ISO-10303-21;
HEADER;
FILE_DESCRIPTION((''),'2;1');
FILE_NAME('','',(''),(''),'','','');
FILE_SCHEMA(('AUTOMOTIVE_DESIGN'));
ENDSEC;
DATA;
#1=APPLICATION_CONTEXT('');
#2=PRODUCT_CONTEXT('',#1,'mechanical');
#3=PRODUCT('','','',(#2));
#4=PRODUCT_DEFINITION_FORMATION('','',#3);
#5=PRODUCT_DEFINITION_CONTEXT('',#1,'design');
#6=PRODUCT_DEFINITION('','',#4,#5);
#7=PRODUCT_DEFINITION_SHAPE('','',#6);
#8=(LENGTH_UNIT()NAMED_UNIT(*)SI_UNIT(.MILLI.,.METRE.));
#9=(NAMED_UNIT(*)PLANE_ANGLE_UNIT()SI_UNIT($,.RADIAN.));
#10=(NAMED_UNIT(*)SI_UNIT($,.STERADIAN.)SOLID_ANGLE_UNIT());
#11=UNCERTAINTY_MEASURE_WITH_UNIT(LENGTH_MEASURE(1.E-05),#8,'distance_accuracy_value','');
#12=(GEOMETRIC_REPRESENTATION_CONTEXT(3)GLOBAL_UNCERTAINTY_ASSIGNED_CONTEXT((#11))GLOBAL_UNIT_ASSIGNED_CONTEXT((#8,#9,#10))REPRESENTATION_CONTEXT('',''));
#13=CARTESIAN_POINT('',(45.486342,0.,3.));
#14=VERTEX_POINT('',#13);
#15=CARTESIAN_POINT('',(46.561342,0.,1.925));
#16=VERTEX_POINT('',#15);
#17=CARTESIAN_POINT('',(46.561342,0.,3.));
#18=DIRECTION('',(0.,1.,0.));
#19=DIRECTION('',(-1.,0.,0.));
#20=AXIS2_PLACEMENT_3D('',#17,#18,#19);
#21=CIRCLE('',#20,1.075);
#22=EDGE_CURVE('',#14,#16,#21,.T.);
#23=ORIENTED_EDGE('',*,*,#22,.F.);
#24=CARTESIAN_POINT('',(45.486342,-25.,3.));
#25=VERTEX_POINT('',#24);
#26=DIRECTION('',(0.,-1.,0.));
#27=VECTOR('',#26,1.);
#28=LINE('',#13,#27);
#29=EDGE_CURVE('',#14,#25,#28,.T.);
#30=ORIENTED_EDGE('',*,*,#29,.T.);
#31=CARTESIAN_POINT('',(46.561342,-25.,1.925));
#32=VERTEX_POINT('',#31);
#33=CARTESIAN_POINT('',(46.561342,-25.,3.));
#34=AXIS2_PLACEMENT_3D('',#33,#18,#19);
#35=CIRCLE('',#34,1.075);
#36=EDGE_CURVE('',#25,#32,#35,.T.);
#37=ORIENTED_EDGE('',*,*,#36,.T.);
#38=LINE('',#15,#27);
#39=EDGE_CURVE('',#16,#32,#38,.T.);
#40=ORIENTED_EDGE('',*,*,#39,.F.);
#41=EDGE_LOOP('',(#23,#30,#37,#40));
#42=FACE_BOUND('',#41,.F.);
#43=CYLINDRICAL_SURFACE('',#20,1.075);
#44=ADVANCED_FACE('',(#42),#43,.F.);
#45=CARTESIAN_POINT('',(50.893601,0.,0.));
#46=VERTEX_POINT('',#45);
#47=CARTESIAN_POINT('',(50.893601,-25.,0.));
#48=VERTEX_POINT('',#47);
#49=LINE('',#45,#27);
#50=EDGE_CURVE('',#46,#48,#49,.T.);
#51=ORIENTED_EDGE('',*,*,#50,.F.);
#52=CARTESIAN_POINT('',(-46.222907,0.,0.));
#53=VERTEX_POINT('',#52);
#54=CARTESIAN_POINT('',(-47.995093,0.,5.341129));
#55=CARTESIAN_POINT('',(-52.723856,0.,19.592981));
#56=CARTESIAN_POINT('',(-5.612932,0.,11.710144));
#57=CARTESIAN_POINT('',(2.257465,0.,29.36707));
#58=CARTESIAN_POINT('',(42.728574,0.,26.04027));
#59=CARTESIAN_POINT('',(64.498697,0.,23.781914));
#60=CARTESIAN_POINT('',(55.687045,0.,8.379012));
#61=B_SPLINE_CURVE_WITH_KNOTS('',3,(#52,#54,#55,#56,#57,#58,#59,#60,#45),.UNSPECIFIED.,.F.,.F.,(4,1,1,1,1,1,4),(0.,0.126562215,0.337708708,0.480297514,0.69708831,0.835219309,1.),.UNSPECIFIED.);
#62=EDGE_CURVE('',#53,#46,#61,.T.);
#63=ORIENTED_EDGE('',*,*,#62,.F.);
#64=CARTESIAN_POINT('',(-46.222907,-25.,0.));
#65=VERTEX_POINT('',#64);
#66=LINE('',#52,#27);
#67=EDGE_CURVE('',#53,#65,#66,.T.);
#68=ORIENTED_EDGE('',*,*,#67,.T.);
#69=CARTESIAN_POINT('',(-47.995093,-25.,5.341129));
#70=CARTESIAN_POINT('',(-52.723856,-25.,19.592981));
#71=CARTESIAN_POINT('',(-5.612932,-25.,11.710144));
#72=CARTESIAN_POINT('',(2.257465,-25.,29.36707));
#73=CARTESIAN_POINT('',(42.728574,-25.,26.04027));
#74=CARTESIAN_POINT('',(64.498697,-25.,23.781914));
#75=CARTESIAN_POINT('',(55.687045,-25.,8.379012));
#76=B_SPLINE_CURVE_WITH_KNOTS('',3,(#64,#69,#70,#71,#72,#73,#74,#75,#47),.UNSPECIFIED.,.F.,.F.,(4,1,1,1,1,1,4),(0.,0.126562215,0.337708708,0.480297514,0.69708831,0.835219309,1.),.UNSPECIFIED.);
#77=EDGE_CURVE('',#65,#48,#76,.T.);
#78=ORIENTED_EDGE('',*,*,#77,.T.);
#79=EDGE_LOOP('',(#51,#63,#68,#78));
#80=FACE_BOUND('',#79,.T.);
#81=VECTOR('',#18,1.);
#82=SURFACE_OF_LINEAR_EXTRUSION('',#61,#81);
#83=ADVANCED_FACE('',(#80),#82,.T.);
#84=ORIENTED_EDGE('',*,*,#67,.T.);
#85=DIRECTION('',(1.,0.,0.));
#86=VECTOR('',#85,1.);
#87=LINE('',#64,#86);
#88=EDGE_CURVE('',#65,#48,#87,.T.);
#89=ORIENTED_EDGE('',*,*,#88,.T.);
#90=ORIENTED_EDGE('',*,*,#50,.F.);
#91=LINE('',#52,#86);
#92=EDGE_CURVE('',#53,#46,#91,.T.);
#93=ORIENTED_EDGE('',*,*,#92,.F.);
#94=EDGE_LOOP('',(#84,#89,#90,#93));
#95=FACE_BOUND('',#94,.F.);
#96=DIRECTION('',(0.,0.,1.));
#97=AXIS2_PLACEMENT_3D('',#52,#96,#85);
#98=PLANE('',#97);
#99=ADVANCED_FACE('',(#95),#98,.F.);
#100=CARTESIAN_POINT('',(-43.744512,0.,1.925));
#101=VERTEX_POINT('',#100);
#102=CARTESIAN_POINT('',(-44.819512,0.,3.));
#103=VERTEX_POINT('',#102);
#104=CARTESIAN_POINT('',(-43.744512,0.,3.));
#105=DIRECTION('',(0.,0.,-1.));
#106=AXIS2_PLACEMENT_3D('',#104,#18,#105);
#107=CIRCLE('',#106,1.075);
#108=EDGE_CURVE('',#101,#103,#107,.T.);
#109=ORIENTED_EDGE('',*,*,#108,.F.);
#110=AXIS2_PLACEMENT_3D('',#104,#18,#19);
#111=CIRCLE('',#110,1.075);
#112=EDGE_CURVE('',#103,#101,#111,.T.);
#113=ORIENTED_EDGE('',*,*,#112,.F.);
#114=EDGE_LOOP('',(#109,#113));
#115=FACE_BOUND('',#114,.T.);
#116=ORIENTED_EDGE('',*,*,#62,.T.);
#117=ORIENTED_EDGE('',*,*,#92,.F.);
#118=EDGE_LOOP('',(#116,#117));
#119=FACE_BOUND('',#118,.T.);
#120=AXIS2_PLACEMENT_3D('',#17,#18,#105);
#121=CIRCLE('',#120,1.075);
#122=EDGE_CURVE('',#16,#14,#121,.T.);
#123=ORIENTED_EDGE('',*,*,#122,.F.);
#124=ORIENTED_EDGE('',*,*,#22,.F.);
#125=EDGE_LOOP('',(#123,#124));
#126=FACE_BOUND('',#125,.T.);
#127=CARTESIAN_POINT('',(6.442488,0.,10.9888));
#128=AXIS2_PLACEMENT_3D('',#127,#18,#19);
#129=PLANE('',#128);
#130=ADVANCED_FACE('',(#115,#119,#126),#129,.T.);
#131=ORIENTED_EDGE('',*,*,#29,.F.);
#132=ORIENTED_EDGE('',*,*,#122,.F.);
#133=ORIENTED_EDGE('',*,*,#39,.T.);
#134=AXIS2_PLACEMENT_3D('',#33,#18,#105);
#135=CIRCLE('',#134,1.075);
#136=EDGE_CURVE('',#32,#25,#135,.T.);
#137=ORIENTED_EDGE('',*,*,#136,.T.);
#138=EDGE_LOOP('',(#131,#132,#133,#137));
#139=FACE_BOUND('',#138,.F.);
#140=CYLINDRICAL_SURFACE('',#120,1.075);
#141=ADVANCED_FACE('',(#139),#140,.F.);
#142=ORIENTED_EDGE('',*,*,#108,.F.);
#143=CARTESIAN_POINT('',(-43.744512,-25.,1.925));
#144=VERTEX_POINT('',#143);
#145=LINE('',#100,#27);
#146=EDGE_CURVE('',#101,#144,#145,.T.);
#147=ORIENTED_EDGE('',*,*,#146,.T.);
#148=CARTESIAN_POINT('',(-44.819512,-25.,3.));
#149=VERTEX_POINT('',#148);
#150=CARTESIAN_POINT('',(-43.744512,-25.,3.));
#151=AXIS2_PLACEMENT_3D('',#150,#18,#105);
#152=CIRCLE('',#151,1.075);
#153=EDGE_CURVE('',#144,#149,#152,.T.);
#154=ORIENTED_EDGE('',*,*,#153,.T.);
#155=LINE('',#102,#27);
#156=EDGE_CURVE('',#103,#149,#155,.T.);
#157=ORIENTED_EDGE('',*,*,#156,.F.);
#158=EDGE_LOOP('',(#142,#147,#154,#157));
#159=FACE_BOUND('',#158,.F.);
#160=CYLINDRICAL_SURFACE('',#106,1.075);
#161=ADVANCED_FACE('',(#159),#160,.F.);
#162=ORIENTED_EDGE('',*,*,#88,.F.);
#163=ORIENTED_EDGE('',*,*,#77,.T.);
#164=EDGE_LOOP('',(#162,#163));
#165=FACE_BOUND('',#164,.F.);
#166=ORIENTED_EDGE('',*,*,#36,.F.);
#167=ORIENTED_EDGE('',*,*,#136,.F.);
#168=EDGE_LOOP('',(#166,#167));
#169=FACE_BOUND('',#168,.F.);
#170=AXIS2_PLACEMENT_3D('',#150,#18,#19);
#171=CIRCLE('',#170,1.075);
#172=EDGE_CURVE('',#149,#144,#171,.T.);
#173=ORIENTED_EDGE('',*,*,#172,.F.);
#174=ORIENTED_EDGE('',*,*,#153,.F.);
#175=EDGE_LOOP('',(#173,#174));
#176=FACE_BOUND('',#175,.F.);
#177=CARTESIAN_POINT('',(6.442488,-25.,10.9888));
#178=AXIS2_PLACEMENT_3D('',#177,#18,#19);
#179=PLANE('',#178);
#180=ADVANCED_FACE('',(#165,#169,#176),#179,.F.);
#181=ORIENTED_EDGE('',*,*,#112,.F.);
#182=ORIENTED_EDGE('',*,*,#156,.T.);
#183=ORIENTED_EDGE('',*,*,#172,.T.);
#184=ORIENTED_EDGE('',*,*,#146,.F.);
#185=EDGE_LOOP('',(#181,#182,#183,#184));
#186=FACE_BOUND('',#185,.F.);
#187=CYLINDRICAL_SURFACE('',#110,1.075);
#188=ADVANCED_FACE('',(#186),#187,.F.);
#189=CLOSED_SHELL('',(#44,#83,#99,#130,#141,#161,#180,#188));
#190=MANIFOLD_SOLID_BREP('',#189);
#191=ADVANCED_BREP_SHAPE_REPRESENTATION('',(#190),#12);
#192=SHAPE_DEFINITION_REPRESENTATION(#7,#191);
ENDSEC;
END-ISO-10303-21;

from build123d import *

# Parameters (mm, degrees)
F1_DEPTH = 25
F4_DEPTH = 25.0010001
F5_DEPTH = 25.0010001


with BuildPart() as f1:
    # F0 (on Front) → F1 (new body)
    with BuildSketch(Plane.XZ):
        with BuildLine():
            add(Edge.make_bspline(
                [(-46.2229065597, 0), (-47.9950928347, 5.3411294971), (-52.7238559863, 19.5929814109), (-5.612931802, 11.7101438379), (2.2574648294, 29.3670702092), (42.7285739749, 26.0402695948), (64.4986966136, 23.7819143402), (55.6870446433, 8.3790124593), (50.8936010301, 0)],
                knots=[0, 0, 0, 0, 0.1265622146, 0.3377087077, 0.4802975139, 0.6970883102, 0.8352193085, 1, 1, 1, 1], degree=3))
            Line((-46.2229065597, 0), (-42.1789698303, 0))
            Line((-42.1789698303, 0), (0, 0))
            Line((0, 0), (50.8936010301, 0))
        make_face()
    extrude(amount=F1_DEPTH)

    # F3 (on face) → F4 (cut, through all)
    with BuildSketch(Plane(origin=(0, 0, 0), x_dir=(-1, 0, 0), z_dir=(0, 1, 0))):
        with BuildLine():
            ThreePointArc((-45.4863417327, 3), (-47.3214815225, 3.7601397898), (-46.5613417327, 1.925))
            ThreePointArc((-46.5613417327, 1.925), (-45.801201943, 2.2398602102), (-45.4863417327, 3))
        make_face()
    extrude(amount=-F4_DEPTH, mode=Mode.SUBTRACT)

    # F3 (on face) → F5 (cut, through all)
    with BuildSketch(Plane(origin=(0, 0, 0), x_dir=(-1, 0, 0), z_dir=(0, 1, 0))):
        with BuildLine():
            ThreePointArc((44.8195119023, 3), (42.9843721126, 3.7601397898), (43.7445119023, 1.925))
            ThreePointArc((43.7445119023, 1.925), (44.5046516921, 2.2398602102), (44.8195119023, 3))
        make_face()
    extrude(amount=-F5_DEPTH, mode=Mode.SUBTRACT)


solid = f1.part
